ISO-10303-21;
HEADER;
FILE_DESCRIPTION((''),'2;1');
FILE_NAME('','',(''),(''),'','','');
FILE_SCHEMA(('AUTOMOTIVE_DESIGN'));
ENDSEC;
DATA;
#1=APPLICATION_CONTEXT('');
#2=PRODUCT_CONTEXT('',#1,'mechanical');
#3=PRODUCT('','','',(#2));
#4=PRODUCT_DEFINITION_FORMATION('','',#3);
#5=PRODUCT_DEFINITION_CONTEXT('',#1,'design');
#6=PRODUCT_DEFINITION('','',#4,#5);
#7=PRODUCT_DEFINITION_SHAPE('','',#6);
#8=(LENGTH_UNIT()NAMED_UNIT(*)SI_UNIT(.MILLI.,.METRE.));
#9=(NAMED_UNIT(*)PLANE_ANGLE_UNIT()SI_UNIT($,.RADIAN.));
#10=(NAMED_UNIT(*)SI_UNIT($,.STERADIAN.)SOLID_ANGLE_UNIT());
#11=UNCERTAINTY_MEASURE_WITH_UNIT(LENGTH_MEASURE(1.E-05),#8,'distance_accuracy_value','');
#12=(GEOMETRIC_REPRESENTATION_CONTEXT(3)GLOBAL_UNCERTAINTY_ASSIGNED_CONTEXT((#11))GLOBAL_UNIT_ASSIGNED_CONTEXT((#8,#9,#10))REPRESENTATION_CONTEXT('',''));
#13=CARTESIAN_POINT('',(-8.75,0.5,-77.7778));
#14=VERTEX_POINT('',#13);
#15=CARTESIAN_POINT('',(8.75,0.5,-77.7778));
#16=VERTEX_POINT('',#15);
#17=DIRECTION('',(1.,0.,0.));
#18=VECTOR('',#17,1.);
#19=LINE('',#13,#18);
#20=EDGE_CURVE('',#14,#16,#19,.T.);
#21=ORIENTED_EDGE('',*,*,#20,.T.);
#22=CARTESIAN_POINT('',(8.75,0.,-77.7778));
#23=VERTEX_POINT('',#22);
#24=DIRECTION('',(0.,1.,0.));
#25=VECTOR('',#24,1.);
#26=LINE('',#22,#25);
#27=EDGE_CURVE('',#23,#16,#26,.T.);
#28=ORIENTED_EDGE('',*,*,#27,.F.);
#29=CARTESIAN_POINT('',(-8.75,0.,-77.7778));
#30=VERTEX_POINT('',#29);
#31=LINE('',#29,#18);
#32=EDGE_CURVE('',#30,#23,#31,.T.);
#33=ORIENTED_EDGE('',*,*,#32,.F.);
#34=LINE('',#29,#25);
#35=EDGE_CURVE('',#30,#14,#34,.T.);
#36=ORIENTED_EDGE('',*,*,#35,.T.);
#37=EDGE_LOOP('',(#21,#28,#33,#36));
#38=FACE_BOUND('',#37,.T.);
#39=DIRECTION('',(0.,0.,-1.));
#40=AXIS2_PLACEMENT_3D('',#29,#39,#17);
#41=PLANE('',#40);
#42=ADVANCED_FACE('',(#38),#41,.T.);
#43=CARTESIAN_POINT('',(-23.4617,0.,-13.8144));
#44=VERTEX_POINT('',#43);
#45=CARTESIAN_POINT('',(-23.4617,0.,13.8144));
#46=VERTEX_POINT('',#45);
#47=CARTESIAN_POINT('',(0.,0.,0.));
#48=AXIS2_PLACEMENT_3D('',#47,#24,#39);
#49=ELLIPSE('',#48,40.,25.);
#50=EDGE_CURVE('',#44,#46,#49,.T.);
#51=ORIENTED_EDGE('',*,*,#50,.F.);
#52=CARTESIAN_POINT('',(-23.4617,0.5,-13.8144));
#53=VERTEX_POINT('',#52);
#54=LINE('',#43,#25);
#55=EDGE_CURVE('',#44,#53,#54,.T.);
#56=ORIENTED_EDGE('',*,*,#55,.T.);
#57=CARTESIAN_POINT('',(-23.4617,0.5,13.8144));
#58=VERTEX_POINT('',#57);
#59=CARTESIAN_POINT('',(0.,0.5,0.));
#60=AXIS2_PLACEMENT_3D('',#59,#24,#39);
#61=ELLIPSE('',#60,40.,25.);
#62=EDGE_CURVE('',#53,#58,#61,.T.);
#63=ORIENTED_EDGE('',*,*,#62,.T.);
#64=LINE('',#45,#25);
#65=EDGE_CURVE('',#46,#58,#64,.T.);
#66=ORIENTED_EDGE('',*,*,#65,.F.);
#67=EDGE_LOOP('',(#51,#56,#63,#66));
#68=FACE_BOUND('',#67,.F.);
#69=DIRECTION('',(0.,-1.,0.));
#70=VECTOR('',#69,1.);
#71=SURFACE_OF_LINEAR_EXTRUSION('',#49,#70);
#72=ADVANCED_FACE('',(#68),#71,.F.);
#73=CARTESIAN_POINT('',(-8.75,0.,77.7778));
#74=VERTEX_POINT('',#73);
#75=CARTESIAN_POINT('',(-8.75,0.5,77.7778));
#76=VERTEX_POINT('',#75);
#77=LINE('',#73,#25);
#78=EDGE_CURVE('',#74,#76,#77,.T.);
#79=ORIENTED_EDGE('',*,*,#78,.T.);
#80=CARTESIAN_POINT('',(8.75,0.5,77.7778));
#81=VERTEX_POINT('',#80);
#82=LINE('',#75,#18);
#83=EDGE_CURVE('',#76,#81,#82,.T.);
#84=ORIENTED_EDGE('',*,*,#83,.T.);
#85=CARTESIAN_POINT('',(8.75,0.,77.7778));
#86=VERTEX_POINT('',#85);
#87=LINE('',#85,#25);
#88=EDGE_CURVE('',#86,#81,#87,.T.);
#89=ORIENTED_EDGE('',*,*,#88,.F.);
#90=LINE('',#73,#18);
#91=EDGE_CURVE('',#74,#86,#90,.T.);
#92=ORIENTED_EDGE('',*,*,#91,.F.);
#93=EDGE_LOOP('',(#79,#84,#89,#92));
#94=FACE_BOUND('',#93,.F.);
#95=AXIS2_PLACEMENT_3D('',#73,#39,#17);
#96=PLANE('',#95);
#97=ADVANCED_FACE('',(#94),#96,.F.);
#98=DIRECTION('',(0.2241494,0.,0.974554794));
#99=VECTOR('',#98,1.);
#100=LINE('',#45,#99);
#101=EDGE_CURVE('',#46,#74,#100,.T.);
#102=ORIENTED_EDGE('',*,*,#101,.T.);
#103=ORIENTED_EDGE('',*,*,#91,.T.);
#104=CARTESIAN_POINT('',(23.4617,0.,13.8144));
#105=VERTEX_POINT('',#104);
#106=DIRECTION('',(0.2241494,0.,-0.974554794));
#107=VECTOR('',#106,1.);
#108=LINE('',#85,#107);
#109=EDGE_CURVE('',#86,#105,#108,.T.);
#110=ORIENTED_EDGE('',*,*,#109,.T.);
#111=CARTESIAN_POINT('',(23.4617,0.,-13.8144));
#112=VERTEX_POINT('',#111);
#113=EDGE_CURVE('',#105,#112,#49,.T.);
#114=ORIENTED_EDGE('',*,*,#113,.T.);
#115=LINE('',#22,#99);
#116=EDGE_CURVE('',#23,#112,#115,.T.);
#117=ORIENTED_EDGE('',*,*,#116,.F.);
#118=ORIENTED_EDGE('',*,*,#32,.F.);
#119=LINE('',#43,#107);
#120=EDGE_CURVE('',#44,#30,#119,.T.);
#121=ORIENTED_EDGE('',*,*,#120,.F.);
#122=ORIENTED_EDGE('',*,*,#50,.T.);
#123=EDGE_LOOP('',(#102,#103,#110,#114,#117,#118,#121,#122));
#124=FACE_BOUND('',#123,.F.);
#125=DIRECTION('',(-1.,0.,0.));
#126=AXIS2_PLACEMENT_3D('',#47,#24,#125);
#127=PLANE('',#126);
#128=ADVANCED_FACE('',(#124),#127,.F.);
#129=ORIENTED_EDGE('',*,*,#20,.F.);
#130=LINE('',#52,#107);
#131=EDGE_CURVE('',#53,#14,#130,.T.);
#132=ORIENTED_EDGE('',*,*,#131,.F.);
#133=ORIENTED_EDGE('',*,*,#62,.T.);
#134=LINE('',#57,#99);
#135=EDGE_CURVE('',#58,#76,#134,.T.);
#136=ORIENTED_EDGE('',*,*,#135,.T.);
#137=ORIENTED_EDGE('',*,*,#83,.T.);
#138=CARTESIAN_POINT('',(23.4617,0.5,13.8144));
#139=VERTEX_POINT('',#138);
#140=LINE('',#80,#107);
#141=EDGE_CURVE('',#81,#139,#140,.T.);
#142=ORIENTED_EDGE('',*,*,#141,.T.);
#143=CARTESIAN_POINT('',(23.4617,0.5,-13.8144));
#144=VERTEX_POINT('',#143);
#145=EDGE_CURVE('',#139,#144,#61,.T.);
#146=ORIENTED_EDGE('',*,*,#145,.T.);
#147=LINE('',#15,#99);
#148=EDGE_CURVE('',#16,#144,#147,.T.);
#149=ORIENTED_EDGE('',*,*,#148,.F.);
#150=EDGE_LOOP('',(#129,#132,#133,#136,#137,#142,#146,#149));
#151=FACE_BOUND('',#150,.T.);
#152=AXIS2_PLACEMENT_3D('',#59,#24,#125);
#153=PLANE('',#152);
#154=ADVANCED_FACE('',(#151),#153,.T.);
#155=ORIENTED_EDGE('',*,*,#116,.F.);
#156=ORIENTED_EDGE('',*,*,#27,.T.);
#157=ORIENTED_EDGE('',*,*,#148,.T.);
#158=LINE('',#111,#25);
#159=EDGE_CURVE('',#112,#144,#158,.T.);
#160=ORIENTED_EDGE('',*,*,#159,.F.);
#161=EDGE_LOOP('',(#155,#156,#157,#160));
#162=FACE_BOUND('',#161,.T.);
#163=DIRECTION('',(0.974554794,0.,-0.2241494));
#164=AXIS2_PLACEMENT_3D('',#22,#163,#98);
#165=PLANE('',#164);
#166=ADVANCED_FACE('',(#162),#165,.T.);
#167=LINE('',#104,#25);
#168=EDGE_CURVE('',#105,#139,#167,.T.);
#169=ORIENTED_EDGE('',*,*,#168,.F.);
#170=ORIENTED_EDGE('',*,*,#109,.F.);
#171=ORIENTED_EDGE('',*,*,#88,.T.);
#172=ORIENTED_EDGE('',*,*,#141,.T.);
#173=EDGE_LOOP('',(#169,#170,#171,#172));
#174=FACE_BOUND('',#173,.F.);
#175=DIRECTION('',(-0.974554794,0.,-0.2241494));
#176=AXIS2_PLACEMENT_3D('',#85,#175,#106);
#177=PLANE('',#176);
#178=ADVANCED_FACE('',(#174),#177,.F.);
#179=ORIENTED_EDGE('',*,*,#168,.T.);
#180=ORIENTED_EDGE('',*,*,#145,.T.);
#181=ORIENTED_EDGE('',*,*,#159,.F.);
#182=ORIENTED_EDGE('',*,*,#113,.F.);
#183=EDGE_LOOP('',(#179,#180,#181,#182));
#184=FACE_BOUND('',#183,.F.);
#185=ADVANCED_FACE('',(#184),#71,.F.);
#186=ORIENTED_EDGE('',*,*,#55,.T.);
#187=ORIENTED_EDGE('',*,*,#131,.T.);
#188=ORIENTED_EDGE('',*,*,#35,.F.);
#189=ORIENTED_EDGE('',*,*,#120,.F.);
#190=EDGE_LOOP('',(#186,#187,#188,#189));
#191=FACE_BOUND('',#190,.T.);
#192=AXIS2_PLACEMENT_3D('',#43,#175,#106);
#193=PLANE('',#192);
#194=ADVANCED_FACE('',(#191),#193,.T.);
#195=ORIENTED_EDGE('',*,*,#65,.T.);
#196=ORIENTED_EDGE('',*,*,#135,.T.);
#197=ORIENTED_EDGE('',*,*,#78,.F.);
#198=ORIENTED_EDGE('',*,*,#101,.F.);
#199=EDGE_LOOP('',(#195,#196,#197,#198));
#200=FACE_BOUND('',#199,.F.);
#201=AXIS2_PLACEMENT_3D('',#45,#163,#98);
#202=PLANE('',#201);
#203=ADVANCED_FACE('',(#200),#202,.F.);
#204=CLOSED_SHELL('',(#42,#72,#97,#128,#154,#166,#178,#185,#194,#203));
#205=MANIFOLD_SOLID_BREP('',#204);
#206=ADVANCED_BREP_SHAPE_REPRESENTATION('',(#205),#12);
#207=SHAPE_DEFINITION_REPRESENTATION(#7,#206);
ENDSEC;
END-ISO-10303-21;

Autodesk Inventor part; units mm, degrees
ref_plane "YZ Plane" through (0, 0, 0) normal (1, 0, 0) x (0, 1, 0)
ref_plane "XZ Plane" through (0, 0, 0) normal (0, 1, 0) x (-1, 0, 0)
ref_plane "XY Plane" through (0, 0, 0) normal (0, 0, 1) x (1, 0, 0)
sketch "Sketch1" plane through (0, 0, 0) normal (0, 1, 0) x (-1, 0, 0)
  ellipse E0 centre (0, 0) end of major axis (0, -40) minor radius 25
  line L0 (23.4617, 13.8144) -> (8.75, 77.7778)
  line L1 (8.75, 77.7778) -> (-8.75, 77.7778)
  line L2 (-8.75, 77.7778) -> (-23.4617, 13.8144)
  line L3 (23.4617, -13.8144) -> (8.75, -77.7778)
  line L4 (8.75, -77.7778) -> (-8.75, -77.7778)
  line L5 (-8.75, -77.7778) -> (-23.4617, -13.8144)
  point P0 (0, 77.7778)
  point P1 (0, -77.7778)
  dimension "d0" = 25
  dimension "d1" = 40
  dimension "d2" = 77.7778
  dimension "d3" = 77.7778
  dimension "d5" = 17.5
  dimension "d7" = 17.5
extrude "Plate1" add sketch "Sketch1" along normal blind 0.5
equation "\"d2\" = d3"
equation "\"d3\" = 3.11111 * d0"
equation "\"d5\" = d7"
equation "\"d8\" = Thickness"
equation "\"BendRadius\" = Thickness"
equation "\"BendReliefWidth\" = Thickness"
equation "\"BendReliefDepth\" = 0.5 * Thickness"
equation "\"CornerReliefSize\" = 4 * Thickness"
equation "\"MinimumRemnant\" = 2 * Thickness"
equation "\"TransitionRadius\" = BendRadius"
equation "\"JacobiRadiusSize\" = BendRadius"
equation "\"GapSize\" = Thickness"
equation "\"Thickness\" = 0.5"
properties part number "SLING"
